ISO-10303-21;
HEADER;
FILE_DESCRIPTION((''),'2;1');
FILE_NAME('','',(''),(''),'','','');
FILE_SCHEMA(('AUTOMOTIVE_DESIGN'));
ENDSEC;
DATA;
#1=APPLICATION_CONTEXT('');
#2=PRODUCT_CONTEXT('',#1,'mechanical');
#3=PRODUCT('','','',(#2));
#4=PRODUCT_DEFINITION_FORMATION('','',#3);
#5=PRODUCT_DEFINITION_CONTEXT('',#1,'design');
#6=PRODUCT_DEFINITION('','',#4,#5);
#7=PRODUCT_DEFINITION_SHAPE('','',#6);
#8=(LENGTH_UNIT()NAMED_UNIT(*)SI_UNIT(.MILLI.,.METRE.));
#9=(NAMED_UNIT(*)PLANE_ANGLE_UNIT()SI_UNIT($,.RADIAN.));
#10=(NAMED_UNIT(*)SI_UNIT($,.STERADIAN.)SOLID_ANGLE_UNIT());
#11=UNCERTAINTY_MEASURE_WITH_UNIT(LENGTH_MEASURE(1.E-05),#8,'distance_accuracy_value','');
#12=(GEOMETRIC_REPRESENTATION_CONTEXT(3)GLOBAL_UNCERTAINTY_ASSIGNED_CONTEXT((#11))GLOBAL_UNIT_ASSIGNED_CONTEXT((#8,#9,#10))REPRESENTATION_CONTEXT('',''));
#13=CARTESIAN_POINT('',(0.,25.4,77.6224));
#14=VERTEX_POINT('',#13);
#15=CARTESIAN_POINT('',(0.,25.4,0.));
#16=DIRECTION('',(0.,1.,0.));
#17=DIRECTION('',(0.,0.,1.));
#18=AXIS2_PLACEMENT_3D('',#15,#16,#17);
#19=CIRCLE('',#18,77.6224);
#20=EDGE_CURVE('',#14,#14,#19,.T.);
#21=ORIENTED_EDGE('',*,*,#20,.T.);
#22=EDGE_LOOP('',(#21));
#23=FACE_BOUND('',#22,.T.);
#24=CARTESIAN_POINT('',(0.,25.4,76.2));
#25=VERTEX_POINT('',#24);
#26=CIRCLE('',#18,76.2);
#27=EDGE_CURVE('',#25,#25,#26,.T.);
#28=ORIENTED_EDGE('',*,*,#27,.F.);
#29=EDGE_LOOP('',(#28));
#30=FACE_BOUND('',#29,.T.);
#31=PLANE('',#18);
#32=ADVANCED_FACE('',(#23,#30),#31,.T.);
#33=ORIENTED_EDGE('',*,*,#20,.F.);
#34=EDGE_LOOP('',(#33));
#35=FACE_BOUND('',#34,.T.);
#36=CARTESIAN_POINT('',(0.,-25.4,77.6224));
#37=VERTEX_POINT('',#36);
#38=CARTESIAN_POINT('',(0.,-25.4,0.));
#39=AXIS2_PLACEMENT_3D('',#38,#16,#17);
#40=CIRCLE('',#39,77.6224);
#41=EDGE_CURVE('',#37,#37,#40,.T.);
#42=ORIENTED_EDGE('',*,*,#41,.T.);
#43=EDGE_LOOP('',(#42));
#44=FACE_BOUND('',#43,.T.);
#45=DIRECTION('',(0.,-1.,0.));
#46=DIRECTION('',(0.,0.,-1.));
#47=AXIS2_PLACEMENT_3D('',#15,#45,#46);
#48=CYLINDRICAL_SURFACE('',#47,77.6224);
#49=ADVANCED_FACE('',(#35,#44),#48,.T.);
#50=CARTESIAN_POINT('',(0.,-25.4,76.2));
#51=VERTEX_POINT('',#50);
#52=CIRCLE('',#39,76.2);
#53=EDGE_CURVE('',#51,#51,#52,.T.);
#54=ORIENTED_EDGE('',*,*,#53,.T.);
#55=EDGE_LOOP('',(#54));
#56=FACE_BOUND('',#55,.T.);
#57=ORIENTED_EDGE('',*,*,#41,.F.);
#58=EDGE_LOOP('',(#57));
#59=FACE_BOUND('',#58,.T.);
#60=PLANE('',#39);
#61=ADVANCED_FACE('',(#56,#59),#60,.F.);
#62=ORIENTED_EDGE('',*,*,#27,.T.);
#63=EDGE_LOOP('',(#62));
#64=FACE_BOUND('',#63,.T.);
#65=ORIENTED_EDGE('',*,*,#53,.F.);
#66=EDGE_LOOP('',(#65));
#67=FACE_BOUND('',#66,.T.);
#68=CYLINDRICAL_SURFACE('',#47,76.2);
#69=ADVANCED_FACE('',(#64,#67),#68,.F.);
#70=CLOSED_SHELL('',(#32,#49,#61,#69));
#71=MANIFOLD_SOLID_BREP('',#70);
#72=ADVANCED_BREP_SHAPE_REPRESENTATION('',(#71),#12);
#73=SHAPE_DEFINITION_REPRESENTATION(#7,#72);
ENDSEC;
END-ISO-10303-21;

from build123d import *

# Parameters (mm, degrees)
SKETCH1_R           = 77.6224
SKETCH1_R_2         = 76.2
BOSS_EXTRUDE1_DEPTH = 25.4


with BuildPart() as part:
    # Sketch1 → Boss-Extrude1 (new, symmetric)
    with BuildSketch(Plane(origin=(0, 0, 0), x_dir=(1, 0, 0), z_dir=(0, 1, 0))):
        with Locations(Location((0, 0, 0), (0, 0, 270))):
            Circle(SKETCH1_R)
        with Locations(Location((0, 0, 0), (0, 0, 270))):
            Circle(SKETCH1_R_2, mode=Mode.SUBTRACT)
    extrude(amount=BOSS_EXTRUDE1_DEPTH, both=True)


solid = part.part
